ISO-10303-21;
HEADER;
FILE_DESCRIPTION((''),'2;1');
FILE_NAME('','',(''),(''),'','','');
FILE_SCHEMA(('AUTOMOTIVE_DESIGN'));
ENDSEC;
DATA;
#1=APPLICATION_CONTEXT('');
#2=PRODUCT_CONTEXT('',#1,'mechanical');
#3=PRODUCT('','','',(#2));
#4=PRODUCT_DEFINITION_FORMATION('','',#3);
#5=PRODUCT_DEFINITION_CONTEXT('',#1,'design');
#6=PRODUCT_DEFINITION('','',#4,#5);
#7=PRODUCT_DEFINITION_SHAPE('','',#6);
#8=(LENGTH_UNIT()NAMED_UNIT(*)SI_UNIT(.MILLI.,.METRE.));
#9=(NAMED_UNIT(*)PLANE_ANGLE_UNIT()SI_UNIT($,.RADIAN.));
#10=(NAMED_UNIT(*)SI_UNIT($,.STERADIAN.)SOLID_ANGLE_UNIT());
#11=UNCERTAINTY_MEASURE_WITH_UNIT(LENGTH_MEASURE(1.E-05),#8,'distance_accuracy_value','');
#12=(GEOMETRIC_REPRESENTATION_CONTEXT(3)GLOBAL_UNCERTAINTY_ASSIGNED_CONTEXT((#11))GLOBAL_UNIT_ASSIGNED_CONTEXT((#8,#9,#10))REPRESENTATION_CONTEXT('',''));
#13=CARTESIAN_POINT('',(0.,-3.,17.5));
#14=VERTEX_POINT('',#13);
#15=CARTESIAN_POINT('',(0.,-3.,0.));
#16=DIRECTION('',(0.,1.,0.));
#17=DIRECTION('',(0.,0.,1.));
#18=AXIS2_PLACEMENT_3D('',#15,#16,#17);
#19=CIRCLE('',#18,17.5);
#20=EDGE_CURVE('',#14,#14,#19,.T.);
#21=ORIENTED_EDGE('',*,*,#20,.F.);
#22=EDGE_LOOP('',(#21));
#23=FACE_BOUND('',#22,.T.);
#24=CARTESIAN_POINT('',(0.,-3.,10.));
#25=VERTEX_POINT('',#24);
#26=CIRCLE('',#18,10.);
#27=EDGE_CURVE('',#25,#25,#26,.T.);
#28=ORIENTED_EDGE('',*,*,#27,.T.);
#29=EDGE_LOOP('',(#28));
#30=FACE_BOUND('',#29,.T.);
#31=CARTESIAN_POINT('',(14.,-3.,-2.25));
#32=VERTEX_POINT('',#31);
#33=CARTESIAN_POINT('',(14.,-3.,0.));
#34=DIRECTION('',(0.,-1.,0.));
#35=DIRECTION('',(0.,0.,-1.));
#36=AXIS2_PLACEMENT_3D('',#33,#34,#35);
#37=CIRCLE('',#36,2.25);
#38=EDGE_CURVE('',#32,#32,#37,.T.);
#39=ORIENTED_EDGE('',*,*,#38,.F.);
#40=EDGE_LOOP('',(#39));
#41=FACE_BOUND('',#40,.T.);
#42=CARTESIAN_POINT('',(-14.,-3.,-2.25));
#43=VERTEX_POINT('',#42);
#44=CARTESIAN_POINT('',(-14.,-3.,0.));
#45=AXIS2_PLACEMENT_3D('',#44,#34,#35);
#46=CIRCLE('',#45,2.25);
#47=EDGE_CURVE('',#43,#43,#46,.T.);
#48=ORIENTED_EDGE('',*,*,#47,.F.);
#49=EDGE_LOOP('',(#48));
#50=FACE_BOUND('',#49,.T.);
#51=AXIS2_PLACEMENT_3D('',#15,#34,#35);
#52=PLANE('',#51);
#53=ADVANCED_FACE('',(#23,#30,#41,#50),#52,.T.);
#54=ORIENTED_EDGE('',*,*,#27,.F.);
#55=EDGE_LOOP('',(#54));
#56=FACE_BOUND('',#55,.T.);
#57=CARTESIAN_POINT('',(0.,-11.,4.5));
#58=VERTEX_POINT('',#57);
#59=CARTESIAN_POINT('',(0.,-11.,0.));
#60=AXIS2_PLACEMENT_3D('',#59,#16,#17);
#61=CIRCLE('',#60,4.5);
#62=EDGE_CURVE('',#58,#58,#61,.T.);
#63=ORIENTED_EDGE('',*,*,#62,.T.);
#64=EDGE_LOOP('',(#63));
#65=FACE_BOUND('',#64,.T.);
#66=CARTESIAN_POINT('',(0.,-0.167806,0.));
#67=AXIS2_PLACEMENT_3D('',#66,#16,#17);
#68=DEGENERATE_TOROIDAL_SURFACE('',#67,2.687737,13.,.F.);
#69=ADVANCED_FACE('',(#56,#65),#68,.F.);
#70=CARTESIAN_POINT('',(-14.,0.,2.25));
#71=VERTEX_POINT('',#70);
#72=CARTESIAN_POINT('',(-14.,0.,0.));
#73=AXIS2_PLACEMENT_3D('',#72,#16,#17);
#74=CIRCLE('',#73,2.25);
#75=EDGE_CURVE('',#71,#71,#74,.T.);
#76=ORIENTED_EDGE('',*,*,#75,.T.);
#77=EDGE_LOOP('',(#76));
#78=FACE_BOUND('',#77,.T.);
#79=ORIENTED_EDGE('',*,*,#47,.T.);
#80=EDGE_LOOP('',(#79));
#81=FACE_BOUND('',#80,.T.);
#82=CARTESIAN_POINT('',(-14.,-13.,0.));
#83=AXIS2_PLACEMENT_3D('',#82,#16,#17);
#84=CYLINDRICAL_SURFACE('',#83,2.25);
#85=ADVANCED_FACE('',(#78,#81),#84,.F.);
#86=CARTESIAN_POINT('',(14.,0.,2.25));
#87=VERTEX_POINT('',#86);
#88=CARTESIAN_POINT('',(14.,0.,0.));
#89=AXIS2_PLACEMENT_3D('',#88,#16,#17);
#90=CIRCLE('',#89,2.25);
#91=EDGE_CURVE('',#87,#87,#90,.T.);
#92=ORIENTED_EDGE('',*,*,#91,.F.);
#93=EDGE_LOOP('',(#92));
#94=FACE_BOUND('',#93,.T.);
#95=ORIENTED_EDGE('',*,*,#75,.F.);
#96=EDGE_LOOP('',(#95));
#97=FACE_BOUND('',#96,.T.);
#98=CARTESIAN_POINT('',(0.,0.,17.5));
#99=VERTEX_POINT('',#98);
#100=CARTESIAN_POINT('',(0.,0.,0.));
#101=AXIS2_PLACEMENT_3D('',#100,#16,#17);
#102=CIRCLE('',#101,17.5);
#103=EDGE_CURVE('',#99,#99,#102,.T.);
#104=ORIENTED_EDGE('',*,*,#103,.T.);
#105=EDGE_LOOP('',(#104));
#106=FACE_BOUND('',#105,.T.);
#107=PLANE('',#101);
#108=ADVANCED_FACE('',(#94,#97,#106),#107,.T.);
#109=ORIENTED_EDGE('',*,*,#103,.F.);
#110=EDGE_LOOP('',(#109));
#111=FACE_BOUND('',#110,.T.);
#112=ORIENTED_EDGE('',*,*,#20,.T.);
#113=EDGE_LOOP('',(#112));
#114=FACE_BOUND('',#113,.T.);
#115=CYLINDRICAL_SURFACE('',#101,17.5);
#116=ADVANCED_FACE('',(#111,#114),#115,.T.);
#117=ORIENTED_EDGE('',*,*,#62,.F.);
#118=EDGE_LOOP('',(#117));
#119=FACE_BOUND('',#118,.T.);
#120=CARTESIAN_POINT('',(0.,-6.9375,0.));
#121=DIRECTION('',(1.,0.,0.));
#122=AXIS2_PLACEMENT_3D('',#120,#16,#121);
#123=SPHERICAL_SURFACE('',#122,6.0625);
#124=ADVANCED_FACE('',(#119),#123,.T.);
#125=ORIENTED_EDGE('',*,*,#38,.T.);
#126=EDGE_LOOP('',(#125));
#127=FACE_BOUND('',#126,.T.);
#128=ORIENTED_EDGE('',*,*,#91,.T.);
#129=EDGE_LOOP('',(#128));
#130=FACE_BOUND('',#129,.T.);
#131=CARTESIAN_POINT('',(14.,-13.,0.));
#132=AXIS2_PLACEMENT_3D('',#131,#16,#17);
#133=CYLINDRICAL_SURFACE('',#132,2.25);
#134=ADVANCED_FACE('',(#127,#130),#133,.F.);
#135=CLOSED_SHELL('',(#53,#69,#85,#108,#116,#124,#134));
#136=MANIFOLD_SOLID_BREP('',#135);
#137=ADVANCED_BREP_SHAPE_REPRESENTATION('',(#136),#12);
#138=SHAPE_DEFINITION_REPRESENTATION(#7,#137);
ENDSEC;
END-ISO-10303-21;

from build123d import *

# Parameters (mm, degrees)
CROQUIS3_R            = 2.25
CORTAR_EXTRUIR1_DEPTH = 28.955321497


with BuildPart() as part:
    # Croquis2 → Revolución2 (revolve)
    with BuildSketch(Plane.XY, mode=Mode.PRIVATE) as revoluci_n2_sk:
        with BuildLine():
            ThreePointArc((4.5, -2.875), (2.46221445, -1.397517486), (0, -0.875))
            Line((0, -0.875), (0, -13))
            ThreePointArc((0, -13), (2.46221445, -12.477482514), (4.5, -11))
            Line((4.5, -11), (4.5, -2.875))
        make_face()
        with BuildLine():
            ThreePointArc((6.0625, -6.9375), (5.658407738, -4.761189332), (4.5, -2.875))
            Line((4.5, -2.875), (4.5, -11))
            ThreePointArc((4.5, -11), (5.658407738, -9.113810668), (6.0625, -6.9375))
        make_face()
        with BuildLine():
            Line((4.5, 0), (0, 0))
            Line((0, 0), (0, -0.875))
            ThreePointArc((0, -0.875), (2.46221445, -1.397517486), (4.5, -2.875))
            Line((4.5, -2.875), (4.5, 0))
        make_face()
        with BuildLine():
            Line((17.5, 0), (4.5, 0))
            Line((4.5, 0), (4.5, -2.875))
            ThreePointArc((4.5, -2.875), (5.658407738, -4.761189332), (6.0625, -6.9375))
            ThreePointArc((6.0625, -6.9375), (5.658407738, -9.113810668), (4.5, -11))
            ThreePointArc((4.5, -11), (8.024807813, -7.532680371), (10, -3))
            Line((10, -3), (17.5, -3))
            Line((17.5, -3), (17.5, 0))
        make_face()
    revolve(revoluci_n2_sk.sketch.rotate(Axis((0, 0, 0), (0, -1, 0)), 90), axis=Axis((0, 0, 0), (0, -1, 0)))

    # Croquis3 → Cortar-Extruir1 (cut, through all)
    with BuildSketch(Plane(origin=(0, 0, 0), x_dir=(1, 0, 0), z_dir=(0, 1, 0))):
        with Locations(Location((14, 0, 0), (0, 0, 270))):
            Circle(CROQUIS3_R)
        with Locations(Location((-14, 0, 0), (0, 0, 270))):
            Circle(CROQUIS3_R)
    extrude(amount=-CORTAR_EXTRUIR1_DEPTH, mode=Mode.SUBTRACT)


solid = part.part
